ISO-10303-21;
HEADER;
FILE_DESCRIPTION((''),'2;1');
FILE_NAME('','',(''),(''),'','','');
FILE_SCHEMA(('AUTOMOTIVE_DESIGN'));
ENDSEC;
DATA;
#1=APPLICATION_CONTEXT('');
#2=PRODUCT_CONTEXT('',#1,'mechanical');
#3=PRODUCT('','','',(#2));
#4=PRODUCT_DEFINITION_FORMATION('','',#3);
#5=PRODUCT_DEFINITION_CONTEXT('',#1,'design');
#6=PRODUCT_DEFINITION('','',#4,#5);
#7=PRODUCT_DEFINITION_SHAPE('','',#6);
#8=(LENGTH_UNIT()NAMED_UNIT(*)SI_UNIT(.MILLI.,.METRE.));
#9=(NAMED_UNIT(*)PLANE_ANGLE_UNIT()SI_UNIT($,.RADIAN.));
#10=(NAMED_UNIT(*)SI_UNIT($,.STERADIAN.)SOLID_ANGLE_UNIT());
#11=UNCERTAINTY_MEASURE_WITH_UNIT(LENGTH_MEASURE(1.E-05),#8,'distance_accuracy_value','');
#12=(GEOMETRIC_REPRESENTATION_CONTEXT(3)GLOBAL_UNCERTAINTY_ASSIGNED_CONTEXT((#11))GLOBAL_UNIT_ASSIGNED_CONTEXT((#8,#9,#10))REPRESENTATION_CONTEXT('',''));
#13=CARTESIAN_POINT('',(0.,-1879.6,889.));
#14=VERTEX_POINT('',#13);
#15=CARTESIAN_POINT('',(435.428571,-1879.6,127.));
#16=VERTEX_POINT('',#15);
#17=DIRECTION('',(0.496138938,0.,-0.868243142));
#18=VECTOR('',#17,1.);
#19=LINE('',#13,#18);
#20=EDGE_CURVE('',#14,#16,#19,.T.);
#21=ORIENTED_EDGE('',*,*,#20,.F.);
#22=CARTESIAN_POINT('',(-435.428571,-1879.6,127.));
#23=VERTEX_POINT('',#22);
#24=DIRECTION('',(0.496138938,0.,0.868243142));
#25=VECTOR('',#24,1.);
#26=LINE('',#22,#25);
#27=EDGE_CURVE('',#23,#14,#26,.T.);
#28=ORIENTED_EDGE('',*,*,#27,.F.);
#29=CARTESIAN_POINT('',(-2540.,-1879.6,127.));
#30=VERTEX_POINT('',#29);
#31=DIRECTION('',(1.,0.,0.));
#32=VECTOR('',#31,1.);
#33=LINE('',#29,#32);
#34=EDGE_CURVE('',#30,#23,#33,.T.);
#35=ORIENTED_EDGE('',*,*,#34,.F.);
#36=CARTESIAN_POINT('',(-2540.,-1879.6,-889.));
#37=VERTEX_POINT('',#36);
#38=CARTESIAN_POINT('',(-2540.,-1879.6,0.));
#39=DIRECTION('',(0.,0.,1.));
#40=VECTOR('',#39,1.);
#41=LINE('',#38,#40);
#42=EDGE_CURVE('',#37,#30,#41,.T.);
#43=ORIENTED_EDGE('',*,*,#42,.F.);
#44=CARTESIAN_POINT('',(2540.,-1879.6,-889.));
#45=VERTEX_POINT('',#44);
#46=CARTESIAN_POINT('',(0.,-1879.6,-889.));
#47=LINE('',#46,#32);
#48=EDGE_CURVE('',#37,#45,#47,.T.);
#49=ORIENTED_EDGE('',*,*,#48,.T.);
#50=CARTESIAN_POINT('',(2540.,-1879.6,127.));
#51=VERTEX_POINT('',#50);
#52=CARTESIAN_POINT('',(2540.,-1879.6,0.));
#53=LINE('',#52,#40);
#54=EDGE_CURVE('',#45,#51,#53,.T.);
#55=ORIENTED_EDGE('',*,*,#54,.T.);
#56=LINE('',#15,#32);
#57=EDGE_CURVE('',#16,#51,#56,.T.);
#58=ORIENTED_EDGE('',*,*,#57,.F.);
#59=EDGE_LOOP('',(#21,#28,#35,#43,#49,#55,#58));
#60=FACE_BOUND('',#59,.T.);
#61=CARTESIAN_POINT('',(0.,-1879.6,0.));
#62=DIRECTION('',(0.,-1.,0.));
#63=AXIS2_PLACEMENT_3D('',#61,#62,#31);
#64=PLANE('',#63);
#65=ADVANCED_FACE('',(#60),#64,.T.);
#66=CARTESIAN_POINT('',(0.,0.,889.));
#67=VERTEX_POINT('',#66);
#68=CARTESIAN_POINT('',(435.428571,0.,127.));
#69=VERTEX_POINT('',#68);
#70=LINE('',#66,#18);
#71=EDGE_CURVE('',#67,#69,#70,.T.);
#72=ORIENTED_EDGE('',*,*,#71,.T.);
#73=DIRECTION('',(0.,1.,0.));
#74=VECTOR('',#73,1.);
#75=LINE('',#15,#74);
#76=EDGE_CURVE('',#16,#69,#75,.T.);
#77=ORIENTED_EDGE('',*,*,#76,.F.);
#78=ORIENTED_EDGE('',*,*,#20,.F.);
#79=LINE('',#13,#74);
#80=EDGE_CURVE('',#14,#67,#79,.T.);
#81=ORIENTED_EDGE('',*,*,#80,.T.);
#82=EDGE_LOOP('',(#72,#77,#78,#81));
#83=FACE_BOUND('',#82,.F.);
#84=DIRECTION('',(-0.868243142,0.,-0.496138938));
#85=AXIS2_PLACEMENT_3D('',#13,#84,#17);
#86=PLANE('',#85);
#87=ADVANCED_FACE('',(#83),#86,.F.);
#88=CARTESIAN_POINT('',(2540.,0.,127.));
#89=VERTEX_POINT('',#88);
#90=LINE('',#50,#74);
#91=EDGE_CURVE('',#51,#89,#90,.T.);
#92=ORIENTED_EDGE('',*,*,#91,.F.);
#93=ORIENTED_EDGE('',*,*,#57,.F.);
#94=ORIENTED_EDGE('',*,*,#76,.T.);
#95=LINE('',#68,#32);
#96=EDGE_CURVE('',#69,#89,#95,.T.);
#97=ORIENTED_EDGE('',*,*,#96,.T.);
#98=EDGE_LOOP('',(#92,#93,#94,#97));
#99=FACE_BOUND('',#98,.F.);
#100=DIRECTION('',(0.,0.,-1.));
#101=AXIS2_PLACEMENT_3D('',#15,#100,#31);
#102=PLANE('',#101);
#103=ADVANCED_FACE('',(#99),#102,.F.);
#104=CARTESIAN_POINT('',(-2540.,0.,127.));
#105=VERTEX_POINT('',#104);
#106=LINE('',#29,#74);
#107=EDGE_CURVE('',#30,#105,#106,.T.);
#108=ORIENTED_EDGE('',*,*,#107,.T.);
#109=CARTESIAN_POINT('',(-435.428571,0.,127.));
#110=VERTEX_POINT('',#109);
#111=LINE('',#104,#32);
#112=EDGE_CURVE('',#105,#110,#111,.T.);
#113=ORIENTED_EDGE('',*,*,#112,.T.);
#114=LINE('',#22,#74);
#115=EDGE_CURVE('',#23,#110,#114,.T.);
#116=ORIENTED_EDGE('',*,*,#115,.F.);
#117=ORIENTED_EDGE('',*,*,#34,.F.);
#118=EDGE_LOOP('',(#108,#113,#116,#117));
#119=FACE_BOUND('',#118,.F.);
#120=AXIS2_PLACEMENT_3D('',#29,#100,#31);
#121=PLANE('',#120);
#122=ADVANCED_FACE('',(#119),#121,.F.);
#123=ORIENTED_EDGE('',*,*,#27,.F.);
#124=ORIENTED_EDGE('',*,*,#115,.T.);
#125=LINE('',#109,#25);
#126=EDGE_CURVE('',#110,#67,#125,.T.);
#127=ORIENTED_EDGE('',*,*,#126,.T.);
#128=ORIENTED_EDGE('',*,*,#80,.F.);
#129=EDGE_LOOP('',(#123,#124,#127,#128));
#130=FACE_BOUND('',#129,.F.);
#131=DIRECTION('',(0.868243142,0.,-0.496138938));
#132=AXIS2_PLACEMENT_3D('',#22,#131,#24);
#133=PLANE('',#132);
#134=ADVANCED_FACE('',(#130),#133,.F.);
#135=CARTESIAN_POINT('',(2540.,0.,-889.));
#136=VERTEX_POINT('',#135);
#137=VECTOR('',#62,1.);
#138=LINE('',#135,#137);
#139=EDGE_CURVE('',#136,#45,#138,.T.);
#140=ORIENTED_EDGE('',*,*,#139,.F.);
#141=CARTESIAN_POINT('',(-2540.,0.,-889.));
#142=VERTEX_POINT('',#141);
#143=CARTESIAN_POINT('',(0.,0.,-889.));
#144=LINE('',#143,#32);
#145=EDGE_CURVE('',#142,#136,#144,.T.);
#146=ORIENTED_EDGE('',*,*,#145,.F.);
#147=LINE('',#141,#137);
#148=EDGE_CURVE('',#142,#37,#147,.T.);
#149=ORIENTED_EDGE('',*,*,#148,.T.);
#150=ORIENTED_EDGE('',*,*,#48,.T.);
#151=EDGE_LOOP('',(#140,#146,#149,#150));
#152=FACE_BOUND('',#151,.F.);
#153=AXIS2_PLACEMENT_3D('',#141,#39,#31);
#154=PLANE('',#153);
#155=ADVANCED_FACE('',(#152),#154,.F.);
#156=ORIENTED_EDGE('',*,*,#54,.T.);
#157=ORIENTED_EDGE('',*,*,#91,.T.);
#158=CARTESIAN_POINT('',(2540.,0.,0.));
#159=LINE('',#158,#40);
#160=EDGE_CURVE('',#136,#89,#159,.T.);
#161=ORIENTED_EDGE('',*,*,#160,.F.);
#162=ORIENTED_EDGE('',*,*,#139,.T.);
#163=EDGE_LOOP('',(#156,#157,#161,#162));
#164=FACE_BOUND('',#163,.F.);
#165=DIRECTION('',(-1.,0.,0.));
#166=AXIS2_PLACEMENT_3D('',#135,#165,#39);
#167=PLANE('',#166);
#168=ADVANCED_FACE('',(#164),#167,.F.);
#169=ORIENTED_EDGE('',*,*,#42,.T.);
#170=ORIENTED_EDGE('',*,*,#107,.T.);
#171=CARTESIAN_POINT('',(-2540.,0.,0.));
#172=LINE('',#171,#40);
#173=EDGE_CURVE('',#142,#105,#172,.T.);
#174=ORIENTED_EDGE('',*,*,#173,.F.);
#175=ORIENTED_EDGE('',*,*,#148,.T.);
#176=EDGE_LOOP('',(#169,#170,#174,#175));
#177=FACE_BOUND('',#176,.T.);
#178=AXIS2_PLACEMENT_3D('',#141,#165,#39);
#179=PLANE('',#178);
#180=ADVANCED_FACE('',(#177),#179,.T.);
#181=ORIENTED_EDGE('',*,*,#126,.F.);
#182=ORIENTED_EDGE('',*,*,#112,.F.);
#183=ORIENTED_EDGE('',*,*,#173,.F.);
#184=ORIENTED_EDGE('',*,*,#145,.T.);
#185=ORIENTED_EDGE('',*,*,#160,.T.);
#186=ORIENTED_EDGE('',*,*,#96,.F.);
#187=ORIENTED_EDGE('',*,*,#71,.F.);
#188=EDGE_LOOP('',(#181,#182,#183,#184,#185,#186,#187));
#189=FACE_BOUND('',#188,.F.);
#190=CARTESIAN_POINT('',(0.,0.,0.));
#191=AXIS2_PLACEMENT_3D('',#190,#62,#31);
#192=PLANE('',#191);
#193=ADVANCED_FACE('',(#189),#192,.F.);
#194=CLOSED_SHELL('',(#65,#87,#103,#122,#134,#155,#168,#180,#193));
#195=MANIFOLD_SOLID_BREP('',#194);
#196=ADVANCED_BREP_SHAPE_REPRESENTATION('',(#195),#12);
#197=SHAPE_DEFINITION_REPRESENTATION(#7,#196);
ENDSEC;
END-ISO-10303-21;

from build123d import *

# Parameters (mm, degrees)
F0_W     = 5080
F0_H     = 1778
F1_DEPTH = 1879.6
F3_DEPTH = 1879.6


with BuildPart() as f1:
    # F0 (on Front) → F1 (new body)
    with BuildSketch(Plane.XZ):
        Rectangle(F0_W, F0_H)
    extrude(amount=F1_DEPTH)

    # F2 (on face) → F3 (cut)
    with BuildSketch(Plane.XZ.offset(1879.6)):
        Polygon((-2540, 889), (-2540, 127), (-435.428571, 127), (0, 889), align=None)
        Polygon((0, 889), (435.428571, 127), (2540, 127), (2540, 889), align=None)
    extrude(amount=-F3_DEPTH, mode=Mode.SUBTRACT)


solid = f1.part
